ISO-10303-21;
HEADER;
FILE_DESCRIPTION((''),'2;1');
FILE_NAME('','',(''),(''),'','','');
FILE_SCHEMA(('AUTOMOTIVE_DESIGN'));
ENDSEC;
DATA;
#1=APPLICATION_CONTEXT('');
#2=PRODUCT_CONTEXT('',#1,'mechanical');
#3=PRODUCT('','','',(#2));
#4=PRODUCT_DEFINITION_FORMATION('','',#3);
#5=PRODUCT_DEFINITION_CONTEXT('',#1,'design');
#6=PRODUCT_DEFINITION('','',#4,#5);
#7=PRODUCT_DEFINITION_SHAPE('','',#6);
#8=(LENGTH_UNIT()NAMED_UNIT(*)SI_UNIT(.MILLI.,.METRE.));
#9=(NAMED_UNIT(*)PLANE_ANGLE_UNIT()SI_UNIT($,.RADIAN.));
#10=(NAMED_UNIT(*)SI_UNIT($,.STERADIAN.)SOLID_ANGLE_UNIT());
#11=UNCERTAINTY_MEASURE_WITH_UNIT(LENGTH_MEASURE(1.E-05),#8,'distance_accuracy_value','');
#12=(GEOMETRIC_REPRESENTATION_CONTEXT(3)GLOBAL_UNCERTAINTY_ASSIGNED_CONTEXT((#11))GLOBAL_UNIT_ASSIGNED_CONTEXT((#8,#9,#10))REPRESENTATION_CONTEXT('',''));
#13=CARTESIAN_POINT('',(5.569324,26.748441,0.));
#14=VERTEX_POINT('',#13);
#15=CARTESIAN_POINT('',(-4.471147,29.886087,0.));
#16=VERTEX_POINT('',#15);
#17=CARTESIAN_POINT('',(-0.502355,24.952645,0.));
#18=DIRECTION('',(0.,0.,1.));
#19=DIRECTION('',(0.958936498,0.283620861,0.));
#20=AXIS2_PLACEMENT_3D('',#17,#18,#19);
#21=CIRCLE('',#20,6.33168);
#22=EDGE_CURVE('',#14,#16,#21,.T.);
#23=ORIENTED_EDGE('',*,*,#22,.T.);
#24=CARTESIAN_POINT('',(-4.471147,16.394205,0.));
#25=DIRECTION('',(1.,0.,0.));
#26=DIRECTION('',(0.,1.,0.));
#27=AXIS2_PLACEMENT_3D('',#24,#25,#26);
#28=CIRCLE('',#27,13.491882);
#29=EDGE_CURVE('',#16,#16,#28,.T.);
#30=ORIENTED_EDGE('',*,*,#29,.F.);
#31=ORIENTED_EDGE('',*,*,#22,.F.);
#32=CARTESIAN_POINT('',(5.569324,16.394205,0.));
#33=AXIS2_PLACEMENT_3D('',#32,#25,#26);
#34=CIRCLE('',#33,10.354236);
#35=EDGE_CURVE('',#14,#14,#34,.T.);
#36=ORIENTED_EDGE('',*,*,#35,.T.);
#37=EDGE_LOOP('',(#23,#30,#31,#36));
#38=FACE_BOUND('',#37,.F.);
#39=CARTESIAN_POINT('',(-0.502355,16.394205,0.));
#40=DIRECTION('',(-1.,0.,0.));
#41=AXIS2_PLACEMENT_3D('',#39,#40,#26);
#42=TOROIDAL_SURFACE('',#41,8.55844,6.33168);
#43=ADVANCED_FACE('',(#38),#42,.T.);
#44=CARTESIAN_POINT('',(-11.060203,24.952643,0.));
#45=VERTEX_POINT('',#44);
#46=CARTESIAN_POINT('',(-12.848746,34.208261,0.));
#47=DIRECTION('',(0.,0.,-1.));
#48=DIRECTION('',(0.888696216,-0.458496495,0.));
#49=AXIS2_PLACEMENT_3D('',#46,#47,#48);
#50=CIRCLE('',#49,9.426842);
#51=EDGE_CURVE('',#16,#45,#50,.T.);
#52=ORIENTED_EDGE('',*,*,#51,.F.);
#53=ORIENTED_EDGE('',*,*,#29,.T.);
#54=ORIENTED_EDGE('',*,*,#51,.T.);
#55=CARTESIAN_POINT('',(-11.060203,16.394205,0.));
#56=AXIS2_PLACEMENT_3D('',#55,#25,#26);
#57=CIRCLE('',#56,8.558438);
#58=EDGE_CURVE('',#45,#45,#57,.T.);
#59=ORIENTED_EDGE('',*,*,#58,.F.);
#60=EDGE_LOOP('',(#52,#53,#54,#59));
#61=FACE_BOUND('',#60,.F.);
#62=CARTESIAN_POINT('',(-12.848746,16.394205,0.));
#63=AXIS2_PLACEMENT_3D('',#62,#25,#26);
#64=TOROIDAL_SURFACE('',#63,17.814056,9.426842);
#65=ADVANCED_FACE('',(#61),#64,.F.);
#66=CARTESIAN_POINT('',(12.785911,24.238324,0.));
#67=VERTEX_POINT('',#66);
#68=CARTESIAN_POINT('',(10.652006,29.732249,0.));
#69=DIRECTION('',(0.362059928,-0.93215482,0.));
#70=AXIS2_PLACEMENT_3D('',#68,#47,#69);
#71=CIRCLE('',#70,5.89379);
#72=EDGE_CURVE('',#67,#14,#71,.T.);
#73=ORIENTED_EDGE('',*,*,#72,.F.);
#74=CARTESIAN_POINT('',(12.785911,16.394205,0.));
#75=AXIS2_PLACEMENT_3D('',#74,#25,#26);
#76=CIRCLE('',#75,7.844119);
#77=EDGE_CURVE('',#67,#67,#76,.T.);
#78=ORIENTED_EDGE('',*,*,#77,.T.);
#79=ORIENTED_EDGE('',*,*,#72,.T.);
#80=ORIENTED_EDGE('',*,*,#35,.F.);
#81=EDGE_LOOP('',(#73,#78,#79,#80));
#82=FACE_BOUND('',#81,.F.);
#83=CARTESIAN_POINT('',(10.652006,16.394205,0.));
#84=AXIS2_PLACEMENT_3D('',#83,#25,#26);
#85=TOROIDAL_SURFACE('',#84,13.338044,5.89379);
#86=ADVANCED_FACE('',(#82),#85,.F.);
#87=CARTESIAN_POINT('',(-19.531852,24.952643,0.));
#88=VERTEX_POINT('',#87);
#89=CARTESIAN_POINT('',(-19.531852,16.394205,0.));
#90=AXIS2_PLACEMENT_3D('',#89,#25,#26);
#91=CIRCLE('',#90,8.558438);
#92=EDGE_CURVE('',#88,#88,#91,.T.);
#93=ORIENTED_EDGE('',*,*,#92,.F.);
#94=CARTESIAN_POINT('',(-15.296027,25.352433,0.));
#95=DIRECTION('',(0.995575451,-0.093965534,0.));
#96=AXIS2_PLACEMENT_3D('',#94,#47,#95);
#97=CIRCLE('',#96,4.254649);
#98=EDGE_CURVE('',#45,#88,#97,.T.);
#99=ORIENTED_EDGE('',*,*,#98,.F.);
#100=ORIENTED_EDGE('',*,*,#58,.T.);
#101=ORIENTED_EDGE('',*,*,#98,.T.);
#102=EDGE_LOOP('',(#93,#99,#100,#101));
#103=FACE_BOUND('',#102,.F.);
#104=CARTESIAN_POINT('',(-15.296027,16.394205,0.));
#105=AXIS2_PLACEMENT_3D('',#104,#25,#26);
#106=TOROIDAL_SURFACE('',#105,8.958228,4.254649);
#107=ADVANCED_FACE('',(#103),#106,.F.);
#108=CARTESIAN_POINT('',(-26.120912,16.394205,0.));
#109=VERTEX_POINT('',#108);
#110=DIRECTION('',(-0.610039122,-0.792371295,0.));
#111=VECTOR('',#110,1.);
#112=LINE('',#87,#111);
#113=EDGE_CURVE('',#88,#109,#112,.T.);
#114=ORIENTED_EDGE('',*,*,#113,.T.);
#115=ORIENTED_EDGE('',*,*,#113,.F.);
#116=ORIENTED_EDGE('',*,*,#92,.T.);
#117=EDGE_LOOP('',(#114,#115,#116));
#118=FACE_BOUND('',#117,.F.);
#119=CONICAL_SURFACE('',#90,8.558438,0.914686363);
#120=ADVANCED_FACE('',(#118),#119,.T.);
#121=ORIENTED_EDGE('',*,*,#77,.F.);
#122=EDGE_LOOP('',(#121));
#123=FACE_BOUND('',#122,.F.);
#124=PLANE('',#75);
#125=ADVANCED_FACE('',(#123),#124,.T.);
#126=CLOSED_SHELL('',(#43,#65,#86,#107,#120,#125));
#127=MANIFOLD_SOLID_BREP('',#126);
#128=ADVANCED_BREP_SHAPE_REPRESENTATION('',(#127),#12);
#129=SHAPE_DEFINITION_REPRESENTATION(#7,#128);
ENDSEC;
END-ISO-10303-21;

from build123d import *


with BuildPart() as f1:
    # F0 (on Top) → F1 (revolve)
    with BuildSketch(Plane.XY):
        with BuildLine():
            Line((-19.531852, 24.952643), (-26.120912, 16.394205))
            Line((-26.120912, 16.394205), (12.785911, 16.394205))
            Line((12.785911, 16.394205), (12.785911, 24.238324))
            ThreePointArc((12.785911, 24.238324), (8.715774, 24.165583), (5.569324, 26.748441))
            ThreePointArc((5.569324, 26.748441), (1.386227, 30.996106), (-4.471147, 29.886087))
            ThreePointArc((-4.471147, 29.886087), (-7.198761, 26.662201), (-11.060203, 24.952643))
            ThreePointArc((-11.060203, 24.952643), (-15.296028, 21.097784), (-19.531852, 24.952643))
        make_face()
    revolve(axis=Axis((-6.667501, 16.394205, 0), (1, 0, 0)))


solid = f1.part
